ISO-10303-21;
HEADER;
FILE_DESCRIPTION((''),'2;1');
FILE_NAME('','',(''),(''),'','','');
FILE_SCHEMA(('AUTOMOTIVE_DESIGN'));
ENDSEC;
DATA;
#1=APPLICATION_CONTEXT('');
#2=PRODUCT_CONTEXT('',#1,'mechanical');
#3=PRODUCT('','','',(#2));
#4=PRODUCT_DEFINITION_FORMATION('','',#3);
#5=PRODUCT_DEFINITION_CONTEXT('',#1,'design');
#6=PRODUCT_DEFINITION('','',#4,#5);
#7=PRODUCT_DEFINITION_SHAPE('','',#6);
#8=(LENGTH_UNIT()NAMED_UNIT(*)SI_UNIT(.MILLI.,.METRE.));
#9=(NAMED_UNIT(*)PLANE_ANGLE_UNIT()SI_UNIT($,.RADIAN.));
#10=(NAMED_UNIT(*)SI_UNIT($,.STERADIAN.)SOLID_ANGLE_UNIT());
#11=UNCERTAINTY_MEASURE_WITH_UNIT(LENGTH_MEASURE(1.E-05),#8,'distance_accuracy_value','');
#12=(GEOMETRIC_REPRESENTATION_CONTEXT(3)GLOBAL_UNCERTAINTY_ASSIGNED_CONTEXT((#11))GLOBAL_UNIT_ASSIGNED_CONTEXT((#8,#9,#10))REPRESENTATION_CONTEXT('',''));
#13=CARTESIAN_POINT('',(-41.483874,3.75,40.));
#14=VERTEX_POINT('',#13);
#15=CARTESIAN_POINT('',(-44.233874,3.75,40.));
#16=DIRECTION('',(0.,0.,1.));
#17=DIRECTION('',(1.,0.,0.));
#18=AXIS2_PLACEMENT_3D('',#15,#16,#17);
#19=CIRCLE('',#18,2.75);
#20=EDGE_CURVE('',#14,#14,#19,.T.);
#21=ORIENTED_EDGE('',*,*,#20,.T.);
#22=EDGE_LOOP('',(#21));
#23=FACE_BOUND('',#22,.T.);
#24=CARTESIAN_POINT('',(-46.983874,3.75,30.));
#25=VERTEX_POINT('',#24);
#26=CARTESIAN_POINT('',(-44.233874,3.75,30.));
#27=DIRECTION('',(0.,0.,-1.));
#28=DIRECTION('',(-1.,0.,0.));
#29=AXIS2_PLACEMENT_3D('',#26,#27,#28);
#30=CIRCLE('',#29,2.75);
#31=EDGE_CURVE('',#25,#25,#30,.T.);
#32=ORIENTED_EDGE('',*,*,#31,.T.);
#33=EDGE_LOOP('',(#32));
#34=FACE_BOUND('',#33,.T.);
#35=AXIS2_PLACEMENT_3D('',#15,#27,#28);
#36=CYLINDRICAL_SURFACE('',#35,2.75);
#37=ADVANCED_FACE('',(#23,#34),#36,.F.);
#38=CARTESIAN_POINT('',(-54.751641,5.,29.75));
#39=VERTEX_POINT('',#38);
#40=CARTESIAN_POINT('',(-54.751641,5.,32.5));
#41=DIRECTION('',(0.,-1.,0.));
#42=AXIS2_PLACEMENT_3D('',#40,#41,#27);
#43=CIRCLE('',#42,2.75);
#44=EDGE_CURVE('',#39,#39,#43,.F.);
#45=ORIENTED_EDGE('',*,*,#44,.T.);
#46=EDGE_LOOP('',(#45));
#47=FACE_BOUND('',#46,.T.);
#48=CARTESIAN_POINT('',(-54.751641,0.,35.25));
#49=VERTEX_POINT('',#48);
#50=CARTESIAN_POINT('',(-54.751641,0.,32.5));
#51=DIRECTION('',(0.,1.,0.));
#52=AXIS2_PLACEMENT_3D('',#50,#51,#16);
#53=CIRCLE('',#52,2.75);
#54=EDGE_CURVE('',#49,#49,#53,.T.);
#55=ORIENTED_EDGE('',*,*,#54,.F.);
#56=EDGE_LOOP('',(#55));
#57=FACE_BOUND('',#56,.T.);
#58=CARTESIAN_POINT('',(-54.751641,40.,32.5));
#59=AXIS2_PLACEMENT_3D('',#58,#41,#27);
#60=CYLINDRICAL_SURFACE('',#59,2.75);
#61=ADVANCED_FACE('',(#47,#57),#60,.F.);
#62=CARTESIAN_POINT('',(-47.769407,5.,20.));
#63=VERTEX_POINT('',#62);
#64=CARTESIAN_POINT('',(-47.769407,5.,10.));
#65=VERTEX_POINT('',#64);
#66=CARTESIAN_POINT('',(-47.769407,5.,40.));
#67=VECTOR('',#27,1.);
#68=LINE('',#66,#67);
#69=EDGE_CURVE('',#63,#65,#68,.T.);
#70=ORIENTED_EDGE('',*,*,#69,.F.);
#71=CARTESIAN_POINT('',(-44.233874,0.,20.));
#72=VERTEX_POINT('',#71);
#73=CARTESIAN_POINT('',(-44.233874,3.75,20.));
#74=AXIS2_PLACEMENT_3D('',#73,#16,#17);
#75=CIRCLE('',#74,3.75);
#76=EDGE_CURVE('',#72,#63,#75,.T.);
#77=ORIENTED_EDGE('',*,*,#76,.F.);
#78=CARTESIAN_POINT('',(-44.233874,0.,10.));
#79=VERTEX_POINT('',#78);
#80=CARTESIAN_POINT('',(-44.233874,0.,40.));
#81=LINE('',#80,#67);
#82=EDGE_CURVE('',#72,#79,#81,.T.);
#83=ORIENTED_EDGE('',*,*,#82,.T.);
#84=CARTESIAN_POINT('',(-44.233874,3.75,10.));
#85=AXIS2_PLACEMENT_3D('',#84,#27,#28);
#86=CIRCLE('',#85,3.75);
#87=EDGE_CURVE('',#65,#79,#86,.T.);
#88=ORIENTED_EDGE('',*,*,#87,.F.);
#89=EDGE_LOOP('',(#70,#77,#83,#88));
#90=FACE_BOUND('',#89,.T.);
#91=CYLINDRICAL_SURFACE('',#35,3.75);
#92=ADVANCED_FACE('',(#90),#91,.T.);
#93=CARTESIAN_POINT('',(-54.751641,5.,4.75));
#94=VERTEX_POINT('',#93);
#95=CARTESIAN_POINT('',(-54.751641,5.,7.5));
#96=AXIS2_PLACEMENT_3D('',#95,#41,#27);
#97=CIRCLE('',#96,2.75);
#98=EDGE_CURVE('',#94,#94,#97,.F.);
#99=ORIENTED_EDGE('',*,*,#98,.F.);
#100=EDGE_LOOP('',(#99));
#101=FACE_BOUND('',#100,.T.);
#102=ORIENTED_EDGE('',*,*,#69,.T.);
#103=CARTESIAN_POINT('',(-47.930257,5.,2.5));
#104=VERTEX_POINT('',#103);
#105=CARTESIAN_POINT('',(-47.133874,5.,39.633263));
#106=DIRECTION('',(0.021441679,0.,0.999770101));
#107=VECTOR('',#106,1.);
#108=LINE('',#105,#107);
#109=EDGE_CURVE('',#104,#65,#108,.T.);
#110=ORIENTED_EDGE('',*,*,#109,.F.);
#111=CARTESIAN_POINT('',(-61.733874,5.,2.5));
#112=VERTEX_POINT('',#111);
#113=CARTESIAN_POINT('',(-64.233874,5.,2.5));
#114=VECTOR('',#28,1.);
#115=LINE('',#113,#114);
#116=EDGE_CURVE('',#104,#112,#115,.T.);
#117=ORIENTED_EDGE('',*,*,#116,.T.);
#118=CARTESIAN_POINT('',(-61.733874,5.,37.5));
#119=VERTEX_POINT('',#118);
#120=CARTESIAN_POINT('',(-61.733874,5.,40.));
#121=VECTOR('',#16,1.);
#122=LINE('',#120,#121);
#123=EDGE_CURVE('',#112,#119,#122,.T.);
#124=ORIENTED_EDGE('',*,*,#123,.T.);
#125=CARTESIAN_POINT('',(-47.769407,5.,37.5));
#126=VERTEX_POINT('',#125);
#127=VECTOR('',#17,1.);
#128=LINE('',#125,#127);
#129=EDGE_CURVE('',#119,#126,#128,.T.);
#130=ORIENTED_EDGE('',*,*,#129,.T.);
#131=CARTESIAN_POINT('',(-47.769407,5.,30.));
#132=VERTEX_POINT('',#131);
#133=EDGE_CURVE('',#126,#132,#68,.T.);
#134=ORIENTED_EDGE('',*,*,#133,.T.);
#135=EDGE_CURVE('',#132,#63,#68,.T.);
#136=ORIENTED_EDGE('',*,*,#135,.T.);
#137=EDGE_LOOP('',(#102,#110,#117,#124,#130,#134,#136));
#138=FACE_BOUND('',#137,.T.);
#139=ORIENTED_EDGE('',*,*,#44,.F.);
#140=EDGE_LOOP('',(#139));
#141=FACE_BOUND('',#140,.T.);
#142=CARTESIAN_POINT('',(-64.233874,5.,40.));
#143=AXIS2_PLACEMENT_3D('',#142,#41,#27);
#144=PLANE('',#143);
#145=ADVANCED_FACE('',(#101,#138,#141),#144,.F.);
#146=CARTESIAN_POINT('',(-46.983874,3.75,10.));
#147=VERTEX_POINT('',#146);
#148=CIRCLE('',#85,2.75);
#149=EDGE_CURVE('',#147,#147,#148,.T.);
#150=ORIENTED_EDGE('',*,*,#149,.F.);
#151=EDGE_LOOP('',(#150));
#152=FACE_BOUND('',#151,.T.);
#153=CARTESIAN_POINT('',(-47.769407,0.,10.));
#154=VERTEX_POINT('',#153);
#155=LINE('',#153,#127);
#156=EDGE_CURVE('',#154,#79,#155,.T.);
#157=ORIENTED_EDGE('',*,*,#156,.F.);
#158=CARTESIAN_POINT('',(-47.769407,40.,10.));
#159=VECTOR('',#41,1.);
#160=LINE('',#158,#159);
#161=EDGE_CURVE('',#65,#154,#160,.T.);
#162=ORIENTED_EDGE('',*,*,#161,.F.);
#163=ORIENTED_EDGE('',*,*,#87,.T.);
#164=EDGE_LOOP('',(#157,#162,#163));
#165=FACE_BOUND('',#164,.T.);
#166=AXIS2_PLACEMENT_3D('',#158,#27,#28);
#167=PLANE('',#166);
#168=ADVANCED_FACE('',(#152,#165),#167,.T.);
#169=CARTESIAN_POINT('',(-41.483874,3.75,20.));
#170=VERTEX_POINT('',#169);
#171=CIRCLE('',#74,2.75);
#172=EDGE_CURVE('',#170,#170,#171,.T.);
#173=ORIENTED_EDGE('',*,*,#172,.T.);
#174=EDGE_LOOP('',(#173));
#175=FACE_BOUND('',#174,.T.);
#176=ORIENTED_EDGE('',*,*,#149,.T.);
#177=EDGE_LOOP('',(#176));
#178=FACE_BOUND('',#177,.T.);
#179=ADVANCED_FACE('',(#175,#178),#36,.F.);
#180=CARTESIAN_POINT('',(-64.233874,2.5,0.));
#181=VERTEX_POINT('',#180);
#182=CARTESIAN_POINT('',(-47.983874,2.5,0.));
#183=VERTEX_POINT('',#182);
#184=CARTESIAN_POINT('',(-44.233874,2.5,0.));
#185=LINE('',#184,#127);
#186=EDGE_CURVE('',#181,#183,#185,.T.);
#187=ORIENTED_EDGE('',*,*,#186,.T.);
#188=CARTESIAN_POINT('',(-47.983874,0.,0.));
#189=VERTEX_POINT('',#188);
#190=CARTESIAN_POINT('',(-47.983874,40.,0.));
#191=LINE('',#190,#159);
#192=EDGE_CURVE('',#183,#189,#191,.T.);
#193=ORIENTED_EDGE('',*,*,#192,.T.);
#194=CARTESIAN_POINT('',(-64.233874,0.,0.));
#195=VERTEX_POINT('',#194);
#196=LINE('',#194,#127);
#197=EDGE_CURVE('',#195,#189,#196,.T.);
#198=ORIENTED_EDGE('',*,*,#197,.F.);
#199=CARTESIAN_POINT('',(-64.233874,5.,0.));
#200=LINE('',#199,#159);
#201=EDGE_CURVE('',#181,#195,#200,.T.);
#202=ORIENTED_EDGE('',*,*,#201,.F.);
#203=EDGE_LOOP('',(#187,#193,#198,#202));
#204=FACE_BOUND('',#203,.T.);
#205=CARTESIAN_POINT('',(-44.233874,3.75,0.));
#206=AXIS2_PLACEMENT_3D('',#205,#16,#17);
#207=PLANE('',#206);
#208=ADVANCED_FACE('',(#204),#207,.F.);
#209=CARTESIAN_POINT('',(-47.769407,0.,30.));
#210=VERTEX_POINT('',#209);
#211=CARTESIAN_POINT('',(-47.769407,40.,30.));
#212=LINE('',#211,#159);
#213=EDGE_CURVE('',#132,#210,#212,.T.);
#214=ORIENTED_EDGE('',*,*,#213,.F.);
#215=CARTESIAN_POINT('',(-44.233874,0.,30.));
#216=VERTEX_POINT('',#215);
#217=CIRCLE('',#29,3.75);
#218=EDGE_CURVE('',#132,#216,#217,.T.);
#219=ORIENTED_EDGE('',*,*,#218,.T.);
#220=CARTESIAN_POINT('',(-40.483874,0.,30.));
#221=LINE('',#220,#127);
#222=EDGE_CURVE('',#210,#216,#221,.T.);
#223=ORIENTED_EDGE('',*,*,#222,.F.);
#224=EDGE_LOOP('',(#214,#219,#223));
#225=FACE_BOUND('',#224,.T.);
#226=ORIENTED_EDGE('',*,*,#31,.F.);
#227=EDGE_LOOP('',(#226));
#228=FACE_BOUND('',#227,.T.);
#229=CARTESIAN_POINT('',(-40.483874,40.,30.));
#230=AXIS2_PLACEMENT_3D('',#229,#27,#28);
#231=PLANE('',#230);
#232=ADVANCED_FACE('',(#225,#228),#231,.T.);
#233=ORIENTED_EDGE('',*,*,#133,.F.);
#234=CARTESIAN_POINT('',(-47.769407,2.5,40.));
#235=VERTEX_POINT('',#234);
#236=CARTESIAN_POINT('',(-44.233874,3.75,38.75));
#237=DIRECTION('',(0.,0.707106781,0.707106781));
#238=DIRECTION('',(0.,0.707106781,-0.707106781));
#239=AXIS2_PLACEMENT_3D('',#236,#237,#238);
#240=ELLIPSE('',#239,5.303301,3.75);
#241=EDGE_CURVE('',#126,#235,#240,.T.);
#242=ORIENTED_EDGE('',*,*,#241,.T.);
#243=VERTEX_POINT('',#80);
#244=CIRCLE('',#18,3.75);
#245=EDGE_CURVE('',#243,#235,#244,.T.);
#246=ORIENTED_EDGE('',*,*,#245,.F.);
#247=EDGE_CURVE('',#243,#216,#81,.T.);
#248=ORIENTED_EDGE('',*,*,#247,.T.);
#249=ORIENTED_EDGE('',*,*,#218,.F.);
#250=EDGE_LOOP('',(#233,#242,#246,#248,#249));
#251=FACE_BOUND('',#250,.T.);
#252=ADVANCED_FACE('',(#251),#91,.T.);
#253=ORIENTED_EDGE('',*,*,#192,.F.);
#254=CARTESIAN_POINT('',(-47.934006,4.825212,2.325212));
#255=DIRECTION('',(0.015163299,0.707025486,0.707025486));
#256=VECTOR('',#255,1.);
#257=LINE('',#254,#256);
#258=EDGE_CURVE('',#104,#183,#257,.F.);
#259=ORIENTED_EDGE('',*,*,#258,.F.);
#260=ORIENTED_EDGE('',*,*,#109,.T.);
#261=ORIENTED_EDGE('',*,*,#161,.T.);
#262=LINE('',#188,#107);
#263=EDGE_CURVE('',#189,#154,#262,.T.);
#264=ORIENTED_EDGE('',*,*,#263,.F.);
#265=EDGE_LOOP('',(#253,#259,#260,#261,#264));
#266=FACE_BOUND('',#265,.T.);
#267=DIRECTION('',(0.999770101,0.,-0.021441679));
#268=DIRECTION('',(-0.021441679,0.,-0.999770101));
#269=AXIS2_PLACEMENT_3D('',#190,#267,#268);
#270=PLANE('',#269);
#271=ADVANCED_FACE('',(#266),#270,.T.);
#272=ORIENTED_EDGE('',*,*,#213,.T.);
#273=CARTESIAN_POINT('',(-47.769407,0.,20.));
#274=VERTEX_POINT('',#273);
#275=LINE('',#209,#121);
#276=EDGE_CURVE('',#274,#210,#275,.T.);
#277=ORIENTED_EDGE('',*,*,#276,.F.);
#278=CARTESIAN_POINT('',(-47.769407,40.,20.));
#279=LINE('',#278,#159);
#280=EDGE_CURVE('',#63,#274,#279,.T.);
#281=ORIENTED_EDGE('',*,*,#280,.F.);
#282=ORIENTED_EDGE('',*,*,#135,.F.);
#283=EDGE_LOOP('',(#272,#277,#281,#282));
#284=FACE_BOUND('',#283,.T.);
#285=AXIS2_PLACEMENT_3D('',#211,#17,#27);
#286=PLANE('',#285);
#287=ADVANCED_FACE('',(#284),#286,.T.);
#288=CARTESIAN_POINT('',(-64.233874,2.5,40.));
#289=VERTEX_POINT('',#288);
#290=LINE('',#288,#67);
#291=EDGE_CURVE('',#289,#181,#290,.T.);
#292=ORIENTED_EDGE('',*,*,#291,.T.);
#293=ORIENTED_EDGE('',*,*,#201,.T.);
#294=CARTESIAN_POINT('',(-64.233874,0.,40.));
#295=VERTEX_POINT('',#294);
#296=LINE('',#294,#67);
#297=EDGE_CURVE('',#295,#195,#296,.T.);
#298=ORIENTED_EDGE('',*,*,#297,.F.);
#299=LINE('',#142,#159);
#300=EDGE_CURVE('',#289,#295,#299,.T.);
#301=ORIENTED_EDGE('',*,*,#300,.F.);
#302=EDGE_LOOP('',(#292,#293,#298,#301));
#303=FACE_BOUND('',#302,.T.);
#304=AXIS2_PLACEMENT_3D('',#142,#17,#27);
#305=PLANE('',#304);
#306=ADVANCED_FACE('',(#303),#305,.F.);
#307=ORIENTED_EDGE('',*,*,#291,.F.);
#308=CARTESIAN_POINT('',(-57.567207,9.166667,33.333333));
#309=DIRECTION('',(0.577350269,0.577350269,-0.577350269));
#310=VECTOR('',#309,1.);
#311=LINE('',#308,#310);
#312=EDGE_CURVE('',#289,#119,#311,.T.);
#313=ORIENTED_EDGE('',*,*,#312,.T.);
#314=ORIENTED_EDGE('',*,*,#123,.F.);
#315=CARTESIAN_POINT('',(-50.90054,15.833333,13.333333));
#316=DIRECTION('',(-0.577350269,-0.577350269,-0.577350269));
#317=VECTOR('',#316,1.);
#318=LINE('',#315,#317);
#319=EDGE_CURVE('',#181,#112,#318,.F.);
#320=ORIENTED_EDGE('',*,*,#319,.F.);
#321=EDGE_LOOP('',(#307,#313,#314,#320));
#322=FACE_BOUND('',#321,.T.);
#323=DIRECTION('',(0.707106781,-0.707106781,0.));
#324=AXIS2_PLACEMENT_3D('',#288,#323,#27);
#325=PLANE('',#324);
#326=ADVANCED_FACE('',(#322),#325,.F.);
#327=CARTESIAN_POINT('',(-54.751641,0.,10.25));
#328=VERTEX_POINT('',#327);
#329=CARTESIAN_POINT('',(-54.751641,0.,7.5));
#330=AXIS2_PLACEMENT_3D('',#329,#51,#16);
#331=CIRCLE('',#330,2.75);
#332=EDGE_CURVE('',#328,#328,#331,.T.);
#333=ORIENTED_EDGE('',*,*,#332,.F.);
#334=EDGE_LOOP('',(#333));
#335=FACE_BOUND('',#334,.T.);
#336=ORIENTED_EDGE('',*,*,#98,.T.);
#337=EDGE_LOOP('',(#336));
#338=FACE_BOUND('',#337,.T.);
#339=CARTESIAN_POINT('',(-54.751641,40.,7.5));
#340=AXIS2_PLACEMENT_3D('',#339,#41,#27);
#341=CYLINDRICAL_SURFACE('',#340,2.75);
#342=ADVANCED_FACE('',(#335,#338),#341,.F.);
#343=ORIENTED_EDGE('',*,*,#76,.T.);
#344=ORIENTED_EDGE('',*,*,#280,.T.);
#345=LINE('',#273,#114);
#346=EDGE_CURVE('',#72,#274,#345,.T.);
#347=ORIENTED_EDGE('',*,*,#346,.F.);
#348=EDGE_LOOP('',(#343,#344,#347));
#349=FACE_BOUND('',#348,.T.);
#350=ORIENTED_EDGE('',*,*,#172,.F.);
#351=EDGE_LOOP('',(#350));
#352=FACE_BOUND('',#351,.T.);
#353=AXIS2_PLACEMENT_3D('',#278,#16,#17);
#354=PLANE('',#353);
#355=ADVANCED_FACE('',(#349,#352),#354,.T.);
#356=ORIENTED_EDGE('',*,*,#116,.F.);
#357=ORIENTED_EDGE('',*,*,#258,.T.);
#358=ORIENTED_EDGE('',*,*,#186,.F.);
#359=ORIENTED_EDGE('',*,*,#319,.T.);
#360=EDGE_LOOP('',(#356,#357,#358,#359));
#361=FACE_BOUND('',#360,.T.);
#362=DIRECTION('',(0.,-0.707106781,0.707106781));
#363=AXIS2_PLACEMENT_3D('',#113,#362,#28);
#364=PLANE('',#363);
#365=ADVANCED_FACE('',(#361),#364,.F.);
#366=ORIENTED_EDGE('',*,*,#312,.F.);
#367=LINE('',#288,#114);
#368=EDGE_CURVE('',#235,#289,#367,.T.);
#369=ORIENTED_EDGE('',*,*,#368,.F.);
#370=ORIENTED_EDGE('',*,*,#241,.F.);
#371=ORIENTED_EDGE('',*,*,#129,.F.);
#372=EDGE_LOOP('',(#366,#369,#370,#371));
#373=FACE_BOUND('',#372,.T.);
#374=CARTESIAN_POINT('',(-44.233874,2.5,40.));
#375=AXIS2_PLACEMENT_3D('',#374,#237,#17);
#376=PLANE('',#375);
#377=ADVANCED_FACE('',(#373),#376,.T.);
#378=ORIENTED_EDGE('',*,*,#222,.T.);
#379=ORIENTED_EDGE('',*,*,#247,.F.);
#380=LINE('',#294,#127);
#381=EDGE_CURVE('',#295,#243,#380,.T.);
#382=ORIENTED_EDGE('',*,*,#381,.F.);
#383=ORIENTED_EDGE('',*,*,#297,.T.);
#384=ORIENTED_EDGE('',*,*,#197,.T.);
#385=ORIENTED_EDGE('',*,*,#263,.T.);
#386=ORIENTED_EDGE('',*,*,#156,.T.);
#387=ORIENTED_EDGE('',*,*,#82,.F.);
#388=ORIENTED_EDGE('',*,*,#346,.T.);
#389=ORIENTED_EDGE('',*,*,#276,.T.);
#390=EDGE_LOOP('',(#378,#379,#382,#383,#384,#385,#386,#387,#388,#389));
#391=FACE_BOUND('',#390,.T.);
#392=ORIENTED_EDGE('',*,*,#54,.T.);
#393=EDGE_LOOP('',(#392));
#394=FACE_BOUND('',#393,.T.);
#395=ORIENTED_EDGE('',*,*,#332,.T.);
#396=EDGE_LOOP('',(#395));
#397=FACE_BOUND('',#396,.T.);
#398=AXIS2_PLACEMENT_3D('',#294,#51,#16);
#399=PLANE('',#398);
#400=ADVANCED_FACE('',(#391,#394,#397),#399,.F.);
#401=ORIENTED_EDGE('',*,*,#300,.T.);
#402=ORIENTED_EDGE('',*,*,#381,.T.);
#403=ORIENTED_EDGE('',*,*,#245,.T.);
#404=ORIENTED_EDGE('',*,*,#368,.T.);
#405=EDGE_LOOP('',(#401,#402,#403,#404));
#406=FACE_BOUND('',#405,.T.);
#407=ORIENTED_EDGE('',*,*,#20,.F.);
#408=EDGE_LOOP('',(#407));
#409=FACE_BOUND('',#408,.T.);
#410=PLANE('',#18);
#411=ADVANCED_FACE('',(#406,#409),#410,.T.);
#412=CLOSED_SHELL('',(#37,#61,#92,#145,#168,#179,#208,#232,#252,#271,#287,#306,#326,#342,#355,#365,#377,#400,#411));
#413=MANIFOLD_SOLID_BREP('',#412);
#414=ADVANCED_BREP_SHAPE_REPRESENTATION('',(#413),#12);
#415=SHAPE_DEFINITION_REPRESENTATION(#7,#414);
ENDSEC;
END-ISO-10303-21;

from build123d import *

# Parameters (mm, degrees)
IZIM1_R                     = 2.75
Y_KSEKLIK_EKSTR_ZYON1_DEPTH = 40
PAH3_SIZE                   = 2.5
IZIM2_R                     = 2.75
IZIM2_W                     = 7.285533906
IZIM2_H                     = 10
KES_EKSTR_ZYON1_DEPTH       = 40
KES_EKSTR_ZYON2_DEPTH       = 88


with BuildPart() as part:
    # Çizim1 → Yükseklik-Ekstrüzyon1 (new body)
    with BuildSketch(Plane.XY):
        with BuildLine():
            Line((-64.233873571, 5), (-64.233873571, 0))
            Line((-64.233873571, 0), (-44.233873571, 0))
            ThreePointArc((-44.233873571, 0), (-41.172011393, 5.915063509), (-47.769407477, 5))
            Line((-47.769407477, 5), (-64.233873571, 5))
        make_face()
        with Locations((-44.233873571, 3.75)):
            Circle(IZIM1_R, mode=Mode.SUBTRACT)
    extrude(amount=Y_KSEKLIK_EKSTR_ZYON1_DEPTH)

    # Pah3
    pah3_edges = [part.edges().sort_by_distance(p)[0] for p in [
        (-56.001640524, 5, 40),
        (-56.001640524, 5, 0),
        (-64.233873571, 5, 20),
    ]]
    chamfer(pah3_edges, length=PAH3_SIZE)

    # Çizim2 → Kes-Ekstrüzyon1 (cut)
    with BuildSketch(Plane(origin=(0, 0, 0), x_dir=(1, 0, 0), z_dir=(0, 1, 0))):
        with Locations(Location((-54.751640524, -32.5, 0), (0, 0, 90))):
            Circle(IZIM2_R)
        with Locations(Location((-54.751640524, -7.5, 0), (0, 0, 90))):
            Circle(IZIM2_R)
        with Locations((-44.126640524, -25)):
            Rectangle(IZIM2_W, IZIM2_H)
        Polygon((-40.483873571, 0), (-47.983873571, 0), (-47.769407477, -10), (-40.483873571, -10), align=None)
    extrude(amount=KES_EKSTR_ZYON1_DEPTH, mode=Mode.SUBTRACT)

    # Çizim3 → Kes-Ekstrüzyon2 (cut)
    with BuildSketch(Plane(origin=(0, 0, 0), x_dir=(0, 0, -1), z_dir=(1, 0, 0))):
        Polygon((-0.875256962, 3.375256962), (-1.784369295, 4.284369295), (0.59171966, 4.284369295), (0.36885853, 3.16350742), align=None)
    extrude(amount=-KES_EKSTR_ZYON2_DEPTH, mode=Mode.SUBTRACT)


solid = part.part
